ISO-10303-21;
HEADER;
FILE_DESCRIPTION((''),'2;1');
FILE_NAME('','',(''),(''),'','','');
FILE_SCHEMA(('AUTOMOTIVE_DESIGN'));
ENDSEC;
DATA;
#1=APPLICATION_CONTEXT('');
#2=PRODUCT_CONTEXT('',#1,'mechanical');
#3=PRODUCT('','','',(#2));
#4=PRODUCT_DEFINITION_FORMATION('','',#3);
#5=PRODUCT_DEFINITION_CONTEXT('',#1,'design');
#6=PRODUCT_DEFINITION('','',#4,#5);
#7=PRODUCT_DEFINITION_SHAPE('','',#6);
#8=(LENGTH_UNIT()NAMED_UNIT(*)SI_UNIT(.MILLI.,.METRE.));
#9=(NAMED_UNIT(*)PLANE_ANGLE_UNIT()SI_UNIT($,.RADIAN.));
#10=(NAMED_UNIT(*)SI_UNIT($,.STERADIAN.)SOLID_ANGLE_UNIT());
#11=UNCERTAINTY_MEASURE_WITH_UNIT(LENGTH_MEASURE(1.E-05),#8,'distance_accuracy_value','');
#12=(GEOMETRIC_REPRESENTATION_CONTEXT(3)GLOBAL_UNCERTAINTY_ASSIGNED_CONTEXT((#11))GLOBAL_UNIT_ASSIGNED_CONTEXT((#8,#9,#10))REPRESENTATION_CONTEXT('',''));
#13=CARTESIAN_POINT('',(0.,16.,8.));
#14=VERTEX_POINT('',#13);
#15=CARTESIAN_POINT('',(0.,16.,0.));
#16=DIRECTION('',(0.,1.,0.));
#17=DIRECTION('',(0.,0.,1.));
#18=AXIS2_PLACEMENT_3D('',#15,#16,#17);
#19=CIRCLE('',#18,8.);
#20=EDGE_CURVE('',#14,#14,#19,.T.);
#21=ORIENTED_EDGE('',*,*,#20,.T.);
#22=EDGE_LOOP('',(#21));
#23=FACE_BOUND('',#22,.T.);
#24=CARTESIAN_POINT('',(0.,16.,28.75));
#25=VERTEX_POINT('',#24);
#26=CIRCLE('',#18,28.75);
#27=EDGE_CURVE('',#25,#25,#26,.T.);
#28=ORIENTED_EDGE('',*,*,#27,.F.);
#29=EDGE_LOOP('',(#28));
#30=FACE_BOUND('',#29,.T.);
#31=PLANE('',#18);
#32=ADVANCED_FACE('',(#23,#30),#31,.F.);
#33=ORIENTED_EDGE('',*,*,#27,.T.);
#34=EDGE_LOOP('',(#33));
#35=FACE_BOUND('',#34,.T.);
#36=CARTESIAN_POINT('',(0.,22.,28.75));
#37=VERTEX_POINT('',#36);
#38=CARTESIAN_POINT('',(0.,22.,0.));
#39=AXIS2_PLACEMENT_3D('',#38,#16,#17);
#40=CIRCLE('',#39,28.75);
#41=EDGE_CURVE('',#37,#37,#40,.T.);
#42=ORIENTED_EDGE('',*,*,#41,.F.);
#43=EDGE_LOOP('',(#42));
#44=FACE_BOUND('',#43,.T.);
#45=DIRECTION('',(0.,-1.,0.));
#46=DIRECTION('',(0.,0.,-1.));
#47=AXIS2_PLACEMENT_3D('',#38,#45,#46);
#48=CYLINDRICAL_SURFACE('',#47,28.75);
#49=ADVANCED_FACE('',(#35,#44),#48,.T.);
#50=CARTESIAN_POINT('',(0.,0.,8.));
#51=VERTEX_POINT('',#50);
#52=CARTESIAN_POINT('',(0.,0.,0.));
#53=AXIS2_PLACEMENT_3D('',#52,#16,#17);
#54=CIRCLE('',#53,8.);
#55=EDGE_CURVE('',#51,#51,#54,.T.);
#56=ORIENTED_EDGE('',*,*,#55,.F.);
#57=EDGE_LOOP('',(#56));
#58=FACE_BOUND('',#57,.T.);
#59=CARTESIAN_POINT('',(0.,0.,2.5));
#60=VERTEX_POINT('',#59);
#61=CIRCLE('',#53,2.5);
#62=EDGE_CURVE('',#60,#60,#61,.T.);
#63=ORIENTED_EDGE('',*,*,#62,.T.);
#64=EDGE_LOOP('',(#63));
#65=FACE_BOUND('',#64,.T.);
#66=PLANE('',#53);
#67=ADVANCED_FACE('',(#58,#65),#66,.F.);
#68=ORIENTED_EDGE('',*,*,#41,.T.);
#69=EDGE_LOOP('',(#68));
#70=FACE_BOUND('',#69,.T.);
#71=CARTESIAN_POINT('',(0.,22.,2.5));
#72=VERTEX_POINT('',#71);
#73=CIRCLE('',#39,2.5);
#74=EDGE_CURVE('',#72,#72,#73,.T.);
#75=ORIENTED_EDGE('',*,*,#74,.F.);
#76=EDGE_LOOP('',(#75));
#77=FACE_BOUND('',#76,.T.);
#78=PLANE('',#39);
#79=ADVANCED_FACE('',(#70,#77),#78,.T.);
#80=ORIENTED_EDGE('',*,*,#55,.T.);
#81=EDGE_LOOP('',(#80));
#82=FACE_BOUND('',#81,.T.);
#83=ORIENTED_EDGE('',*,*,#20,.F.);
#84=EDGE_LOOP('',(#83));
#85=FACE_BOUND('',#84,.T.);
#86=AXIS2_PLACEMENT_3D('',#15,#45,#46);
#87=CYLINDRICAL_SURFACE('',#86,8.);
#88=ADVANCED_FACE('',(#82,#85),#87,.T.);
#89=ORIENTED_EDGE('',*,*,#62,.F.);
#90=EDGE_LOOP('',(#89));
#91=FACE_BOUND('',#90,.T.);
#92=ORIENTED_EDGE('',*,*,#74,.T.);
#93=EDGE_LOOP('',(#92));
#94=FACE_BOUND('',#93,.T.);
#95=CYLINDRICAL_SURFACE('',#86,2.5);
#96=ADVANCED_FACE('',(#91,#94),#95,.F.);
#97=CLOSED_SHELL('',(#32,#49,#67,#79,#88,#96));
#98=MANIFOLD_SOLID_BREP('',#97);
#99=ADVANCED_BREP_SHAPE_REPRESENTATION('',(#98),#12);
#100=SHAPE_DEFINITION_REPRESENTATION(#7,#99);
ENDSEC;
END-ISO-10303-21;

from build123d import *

# Parameters (mm, degrees)
SKETCH1_R           = 8
SKETCH1_R_2         = 2.5
BOSS_EXTRUDE1_DEPTH = 16
SKETCH2_R           = 28.75
SKETCH2_R_2         = 2.5
BOSS_EXTRUDE2_DEPTH = 6


with BuildPart() as part:
    # Sketch1 → Boss-Extrude1 (new body)
    with BuildSketch(Plane(origin=(0, 0, 0), x_dir=(1, 0, 0), z_dir=(0, 1, 0))):
        with Locations(Location((0, 0, 0), (0, 0, 270))):
            Circle(SKETCH1_R)
        with Locations(Location((0, 0, 0), (0, 0, 270))):
            Circle(SKETCH1_R_2, mode=Mode.SUBTRACT)
    extrude(amount=BOSS_EXTRUDE1_DEPTH)

    # Sketch2 → Boss-Extrude2 (add)
    with BuildSketch(Plane(origin=(0, 16, 0), x_dir=(1, 0, 0), z_dir=(0, 1, 0))):
        with Locations(Location((0, 0, 0), (0, 0, 270))):
            Circle(SKETCH2_R)
        with Locations(Location((0, 0, 0), (0, 0, 270))):
            Circle(SKETCH2_R_2, mode=Mode.SUBTRACT)
    extrude(amount=BOSS_EXTRUDE2_DEPTH)


solid = part.part
